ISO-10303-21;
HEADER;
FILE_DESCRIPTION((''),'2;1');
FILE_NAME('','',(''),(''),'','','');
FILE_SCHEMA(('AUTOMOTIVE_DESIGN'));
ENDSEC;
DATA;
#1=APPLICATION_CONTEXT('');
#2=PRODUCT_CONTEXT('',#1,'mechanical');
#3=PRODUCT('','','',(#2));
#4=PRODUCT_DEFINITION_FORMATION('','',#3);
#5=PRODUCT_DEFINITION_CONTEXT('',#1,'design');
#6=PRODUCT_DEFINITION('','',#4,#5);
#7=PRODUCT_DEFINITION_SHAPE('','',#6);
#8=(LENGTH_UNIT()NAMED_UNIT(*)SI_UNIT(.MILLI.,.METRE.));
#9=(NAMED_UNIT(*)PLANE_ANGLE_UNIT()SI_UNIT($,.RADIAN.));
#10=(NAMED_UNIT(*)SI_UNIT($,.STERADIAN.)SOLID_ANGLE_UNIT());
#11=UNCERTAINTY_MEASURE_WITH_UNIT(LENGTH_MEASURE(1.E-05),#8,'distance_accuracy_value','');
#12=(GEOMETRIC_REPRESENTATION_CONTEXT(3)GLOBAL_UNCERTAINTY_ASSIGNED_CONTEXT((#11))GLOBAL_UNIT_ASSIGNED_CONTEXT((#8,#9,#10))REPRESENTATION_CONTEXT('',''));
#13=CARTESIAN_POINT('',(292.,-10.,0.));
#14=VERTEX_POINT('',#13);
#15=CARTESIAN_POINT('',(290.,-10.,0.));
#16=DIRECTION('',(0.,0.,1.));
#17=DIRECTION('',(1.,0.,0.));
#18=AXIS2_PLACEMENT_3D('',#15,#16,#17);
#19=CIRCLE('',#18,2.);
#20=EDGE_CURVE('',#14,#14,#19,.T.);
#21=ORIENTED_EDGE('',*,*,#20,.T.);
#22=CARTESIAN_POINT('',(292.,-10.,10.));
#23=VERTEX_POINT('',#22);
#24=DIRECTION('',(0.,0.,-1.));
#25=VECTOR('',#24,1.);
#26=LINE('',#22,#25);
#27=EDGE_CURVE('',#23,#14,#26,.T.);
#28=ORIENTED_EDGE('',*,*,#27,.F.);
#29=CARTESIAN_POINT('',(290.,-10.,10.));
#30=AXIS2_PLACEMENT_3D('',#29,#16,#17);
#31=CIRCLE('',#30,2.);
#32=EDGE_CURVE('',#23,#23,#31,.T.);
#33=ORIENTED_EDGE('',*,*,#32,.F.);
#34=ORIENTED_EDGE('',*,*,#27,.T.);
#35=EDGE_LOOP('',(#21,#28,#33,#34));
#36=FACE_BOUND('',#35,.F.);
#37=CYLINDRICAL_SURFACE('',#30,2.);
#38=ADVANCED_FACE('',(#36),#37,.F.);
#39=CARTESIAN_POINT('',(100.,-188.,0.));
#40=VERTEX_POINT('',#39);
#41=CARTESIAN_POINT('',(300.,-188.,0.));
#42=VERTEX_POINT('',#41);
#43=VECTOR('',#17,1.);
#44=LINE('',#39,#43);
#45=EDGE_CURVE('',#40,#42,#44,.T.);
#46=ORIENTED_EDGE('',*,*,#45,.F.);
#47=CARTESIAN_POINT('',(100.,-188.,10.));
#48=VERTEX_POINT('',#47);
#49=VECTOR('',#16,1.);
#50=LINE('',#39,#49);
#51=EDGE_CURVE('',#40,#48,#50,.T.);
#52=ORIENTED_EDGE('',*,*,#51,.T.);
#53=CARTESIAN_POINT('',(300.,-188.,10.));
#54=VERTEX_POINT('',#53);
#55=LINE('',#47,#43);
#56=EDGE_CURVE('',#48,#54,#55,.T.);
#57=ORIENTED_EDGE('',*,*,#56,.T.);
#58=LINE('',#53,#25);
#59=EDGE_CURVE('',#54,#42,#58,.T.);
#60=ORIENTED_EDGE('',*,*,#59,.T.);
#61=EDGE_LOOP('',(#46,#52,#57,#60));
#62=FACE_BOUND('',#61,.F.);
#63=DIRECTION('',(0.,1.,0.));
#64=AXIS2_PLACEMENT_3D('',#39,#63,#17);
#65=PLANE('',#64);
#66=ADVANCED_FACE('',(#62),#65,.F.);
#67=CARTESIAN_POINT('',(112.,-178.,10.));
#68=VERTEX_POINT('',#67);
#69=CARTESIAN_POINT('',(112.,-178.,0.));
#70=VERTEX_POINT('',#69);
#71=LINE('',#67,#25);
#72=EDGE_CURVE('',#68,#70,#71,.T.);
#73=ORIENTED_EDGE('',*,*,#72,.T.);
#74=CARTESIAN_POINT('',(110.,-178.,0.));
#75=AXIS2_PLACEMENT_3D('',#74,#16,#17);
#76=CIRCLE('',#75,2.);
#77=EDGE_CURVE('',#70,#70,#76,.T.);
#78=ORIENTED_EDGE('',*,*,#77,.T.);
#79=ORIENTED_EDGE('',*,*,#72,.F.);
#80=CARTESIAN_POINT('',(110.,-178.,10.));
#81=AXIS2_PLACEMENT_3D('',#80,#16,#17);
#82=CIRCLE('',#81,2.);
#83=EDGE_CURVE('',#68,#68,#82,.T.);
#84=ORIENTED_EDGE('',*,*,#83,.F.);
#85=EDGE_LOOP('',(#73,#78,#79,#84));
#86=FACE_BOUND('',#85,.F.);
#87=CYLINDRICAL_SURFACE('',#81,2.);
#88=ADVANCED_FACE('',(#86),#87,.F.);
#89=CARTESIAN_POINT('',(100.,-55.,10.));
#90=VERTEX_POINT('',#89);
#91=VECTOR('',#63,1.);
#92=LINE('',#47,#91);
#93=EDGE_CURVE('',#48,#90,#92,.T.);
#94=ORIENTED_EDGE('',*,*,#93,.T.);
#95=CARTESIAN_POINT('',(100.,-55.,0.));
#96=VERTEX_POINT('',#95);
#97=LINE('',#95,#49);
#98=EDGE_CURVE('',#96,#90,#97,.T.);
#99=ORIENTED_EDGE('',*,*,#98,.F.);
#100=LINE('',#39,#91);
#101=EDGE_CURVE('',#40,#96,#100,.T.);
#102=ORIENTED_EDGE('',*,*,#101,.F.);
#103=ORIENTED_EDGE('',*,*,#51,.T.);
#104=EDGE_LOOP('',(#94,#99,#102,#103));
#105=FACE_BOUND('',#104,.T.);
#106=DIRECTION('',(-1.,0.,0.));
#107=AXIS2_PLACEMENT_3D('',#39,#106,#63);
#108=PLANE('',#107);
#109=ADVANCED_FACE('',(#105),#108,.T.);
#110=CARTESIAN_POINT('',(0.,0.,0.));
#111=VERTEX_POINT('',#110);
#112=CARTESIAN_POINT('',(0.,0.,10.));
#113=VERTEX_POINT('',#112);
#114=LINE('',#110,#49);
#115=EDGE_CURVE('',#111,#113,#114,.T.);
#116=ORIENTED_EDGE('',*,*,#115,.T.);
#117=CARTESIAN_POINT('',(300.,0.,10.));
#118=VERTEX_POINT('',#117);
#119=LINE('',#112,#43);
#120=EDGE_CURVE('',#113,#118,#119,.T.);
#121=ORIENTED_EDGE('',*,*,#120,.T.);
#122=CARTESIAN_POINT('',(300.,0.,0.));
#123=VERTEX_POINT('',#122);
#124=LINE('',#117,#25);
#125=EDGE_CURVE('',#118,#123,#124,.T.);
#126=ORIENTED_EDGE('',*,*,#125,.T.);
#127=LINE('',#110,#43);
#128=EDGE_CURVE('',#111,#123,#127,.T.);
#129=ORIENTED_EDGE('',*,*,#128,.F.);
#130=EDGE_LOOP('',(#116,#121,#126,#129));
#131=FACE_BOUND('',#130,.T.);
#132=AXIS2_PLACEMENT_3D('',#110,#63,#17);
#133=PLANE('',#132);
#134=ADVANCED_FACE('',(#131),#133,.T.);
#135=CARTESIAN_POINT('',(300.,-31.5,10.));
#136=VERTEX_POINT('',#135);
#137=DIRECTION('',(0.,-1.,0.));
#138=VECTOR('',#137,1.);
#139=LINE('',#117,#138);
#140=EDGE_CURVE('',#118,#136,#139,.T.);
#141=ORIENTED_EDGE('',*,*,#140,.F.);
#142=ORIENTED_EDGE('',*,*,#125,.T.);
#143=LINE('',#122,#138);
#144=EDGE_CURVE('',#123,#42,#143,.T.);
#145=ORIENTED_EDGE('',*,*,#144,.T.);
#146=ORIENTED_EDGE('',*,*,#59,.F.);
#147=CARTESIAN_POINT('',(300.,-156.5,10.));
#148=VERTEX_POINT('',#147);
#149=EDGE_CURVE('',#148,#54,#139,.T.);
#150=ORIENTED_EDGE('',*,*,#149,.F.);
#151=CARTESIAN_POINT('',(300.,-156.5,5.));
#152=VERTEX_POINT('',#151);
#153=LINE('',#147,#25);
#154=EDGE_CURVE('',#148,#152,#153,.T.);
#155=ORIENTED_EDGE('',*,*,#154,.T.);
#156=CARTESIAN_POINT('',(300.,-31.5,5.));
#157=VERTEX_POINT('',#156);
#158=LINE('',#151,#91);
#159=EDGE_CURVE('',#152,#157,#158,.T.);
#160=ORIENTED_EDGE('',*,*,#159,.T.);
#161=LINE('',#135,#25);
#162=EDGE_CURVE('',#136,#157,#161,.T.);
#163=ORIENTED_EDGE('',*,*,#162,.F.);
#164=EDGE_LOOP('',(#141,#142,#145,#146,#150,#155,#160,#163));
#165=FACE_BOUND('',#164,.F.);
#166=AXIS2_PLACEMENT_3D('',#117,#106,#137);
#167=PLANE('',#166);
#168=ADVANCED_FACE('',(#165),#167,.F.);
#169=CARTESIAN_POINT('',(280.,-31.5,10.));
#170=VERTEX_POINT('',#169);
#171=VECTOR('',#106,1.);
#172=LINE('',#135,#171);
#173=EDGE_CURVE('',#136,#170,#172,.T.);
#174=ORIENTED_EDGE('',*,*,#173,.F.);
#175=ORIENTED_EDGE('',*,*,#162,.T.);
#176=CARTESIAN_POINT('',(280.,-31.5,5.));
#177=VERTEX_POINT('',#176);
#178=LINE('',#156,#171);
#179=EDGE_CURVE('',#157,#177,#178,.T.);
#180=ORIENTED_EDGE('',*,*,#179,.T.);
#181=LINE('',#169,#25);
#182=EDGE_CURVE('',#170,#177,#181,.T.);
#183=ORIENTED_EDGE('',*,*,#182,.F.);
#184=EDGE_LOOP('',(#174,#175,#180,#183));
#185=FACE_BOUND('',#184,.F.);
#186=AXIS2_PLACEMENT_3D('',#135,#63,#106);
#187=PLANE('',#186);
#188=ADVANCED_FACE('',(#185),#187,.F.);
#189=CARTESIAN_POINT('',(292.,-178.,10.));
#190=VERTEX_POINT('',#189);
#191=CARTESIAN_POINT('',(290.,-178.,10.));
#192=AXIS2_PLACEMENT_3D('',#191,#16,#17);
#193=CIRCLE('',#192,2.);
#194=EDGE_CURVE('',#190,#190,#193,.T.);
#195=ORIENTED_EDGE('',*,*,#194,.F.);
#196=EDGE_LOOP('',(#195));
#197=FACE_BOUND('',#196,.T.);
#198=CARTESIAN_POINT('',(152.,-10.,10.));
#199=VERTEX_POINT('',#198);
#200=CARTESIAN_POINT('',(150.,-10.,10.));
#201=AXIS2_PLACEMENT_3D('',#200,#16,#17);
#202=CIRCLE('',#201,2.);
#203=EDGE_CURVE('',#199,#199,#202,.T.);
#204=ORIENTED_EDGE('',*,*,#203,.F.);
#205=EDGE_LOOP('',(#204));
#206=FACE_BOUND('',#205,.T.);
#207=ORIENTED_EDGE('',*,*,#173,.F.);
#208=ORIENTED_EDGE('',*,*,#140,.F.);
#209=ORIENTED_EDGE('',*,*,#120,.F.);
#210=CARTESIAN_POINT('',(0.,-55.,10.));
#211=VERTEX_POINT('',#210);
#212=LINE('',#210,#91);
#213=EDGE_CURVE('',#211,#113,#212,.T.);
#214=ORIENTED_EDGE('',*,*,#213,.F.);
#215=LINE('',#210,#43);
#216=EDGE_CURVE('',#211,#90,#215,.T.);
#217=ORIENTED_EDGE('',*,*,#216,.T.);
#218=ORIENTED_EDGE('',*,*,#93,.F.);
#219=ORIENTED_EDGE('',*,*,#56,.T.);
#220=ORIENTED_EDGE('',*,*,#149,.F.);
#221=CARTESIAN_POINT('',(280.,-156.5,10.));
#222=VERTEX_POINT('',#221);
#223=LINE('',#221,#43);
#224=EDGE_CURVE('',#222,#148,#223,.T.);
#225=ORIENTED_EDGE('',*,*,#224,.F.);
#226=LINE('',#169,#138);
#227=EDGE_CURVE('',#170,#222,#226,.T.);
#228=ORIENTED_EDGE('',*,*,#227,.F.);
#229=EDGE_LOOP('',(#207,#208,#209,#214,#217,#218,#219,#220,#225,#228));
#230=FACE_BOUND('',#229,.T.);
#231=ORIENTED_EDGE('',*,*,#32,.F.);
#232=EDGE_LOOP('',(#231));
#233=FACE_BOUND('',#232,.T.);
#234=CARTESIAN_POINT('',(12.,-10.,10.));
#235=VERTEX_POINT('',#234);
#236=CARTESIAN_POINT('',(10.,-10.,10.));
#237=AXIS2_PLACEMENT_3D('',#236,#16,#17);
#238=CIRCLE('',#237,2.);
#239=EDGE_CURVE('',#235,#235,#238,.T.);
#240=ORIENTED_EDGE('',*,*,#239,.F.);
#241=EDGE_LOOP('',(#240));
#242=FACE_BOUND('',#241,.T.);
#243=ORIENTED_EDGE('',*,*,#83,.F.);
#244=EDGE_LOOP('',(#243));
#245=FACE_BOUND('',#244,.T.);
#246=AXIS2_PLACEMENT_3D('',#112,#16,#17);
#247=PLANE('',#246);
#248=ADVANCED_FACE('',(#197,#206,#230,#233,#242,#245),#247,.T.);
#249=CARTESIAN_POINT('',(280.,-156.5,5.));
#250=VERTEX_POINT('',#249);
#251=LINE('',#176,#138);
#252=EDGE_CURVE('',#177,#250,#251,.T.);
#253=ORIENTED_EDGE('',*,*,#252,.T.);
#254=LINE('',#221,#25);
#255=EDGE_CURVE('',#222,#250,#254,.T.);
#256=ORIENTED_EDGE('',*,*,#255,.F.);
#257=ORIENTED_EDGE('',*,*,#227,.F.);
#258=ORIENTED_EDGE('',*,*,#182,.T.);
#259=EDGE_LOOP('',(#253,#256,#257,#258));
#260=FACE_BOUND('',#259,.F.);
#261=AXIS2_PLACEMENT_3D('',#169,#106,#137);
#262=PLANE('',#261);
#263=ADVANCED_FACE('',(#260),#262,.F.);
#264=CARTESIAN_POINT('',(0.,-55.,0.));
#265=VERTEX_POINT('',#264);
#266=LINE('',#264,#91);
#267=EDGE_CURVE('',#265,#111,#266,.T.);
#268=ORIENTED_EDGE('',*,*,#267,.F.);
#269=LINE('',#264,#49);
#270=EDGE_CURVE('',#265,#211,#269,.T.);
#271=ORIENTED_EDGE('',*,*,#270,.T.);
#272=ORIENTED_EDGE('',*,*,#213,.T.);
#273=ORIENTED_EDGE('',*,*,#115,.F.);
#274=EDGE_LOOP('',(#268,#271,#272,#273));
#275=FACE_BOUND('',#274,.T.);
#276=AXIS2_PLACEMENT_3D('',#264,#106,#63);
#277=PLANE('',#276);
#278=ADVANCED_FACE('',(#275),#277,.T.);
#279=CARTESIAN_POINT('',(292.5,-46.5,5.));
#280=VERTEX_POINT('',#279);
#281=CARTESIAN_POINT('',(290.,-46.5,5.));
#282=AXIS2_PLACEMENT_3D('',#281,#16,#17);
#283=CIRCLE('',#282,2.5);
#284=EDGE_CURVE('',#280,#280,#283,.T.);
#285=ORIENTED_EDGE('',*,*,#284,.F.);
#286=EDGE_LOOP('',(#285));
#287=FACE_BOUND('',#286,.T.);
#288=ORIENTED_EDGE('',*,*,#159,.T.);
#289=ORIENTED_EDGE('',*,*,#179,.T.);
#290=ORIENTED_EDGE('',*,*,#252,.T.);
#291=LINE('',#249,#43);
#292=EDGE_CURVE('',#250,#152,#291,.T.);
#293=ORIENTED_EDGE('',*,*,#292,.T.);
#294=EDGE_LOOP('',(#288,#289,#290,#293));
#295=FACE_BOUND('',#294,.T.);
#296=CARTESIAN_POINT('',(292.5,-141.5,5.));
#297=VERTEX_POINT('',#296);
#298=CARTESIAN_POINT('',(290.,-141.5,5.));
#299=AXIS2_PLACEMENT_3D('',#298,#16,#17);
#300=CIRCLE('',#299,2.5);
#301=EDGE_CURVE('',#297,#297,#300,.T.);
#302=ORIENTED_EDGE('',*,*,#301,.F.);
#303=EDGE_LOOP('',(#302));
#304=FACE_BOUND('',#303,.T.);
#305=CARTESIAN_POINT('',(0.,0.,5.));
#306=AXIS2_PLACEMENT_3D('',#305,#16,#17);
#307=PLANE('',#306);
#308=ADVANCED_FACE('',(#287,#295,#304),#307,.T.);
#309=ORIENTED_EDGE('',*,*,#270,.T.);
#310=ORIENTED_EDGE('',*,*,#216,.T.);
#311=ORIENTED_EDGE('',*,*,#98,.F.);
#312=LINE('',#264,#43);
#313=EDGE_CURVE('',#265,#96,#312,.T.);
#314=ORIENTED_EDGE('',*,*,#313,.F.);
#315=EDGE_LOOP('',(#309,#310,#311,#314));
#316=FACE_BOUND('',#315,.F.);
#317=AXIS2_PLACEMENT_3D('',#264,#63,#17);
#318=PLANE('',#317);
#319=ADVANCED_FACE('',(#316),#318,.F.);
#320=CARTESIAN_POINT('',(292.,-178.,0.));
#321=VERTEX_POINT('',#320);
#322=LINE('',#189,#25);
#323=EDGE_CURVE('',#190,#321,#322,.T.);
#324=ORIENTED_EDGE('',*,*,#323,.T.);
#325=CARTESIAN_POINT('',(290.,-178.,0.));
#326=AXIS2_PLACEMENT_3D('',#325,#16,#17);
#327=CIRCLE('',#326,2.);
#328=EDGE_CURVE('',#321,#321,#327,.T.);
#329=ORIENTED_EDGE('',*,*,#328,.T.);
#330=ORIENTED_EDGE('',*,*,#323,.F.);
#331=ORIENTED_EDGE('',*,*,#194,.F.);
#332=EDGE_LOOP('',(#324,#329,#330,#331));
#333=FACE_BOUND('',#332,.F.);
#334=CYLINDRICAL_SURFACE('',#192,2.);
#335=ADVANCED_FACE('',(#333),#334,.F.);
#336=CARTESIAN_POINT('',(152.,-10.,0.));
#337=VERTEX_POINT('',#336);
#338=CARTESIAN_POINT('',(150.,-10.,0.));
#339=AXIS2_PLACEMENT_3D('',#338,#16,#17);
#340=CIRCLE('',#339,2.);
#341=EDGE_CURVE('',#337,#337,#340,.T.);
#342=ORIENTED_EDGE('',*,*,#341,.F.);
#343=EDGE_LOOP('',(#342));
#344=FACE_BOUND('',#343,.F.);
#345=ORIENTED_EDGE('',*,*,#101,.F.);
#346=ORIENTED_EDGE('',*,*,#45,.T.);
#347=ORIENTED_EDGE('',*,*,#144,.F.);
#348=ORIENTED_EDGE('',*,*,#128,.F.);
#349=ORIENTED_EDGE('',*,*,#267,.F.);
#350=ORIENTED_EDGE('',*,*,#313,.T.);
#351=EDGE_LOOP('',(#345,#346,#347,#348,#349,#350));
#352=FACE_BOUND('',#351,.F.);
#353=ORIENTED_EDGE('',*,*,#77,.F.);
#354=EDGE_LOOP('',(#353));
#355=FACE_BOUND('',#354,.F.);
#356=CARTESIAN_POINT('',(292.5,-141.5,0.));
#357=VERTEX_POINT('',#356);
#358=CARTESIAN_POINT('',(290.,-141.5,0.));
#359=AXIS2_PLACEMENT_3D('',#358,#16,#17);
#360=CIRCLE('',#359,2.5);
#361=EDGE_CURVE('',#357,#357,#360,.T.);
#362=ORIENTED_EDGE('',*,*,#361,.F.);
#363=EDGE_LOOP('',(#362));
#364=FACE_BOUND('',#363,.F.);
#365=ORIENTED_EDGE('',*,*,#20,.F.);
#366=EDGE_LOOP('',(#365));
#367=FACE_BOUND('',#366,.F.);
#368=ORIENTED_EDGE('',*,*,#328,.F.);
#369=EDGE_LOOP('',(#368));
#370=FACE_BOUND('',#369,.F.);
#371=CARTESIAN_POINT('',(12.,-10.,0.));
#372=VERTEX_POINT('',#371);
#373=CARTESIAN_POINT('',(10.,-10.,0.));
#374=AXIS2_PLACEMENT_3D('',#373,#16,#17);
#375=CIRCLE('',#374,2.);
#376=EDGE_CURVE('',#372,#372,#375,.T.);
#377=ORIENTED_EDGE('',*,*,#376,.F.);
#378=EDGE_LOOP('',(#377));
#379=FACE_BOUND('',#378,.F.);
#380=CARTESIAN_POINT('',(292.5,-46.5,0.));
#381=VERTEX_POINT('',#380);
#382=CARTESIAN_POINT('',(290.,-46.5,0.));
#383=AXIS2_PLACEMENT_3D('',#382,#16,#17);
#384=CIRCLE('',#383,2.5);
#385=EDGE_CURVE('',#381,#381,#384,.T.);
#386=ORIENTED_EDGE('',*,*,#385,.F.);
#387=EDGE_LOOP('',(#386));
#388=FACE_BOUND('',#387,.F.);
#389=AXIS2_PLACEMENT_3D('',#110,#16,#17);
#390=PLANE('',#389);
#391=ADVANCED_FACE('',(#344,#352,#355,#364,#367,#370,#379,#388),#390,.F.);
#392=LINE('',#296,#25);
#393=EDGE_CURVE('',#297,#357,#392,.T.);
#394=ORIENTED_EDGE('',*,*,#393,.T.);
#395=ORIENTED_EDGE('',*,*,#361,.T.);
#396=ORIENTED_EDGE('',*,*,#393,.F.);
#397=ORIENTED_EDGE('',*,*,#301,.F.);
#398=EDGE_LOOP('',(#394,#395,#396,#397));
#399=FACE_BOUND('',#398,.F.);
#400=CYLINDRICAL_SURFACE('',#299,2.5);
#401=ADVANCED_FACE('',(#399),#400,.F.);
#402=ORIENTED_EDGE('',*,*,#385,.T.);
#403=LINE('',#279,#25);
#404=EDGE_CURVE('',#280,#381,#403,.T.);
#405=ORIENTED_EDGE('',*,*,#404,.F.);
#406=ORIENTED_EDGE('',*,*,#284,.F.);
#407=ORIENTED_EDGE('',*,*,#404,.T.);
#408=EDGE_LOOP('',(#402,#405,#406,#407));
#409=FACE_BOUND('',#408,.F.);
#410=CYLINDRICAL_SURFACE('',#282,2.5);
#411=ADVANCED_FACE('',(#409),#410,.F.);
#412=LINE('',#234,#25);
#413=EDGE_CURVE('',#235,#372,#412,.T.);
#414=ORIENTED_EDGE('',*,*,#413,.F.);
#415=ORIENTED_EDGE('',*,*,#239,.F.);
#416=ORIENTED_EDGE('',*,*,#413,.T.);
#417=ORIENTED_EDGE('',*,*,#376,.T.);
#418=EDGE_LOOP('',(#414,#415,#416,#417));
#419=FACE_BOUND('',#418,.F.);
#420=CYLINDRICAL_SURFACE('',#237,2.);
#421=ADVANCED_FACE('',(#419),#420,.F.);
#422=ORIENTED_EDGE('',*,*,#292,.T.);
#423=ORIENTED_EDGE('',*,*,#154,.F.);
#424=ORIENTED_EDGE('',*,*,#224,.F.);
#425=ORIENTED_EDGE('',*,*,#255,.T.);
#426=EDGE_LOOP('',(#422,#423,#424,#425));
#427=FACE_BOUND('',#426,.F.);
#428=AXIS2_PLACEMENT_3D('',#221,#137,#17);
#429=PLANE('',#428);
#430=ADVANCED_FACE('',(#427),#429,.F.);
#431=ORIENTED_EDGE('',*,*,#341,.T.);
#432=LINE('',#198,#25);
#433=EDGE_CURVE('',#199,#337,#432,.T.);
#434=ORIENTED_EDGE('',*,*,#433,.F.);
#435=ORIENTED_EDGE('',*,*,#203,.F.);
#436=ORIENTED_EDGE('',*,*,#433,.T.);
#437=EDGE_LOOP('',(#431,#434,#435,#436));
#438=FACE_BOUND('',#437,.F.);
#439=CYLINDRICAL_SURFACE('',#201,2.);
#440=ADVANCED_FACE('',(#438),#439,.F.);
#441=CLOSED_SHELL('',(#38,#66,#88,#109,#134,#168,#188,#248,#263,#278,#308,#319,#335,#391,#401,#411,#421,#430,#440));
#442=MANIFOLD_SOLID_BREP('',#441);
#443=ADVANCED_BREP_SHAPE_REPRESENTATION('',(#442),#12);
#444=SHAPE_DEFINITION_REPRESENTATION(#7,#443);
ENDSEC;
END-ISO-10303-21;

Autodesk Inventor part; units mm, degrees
ref_plane "YZ Plane" through (0, 0, 0) normal (1, 0, 0) x (0, 1, 0)
ref_plane "XZ Plane" through (0, 0, 0) normal (0, 1, 0) x (-1, 0, 0)
ref_plane "XY Plane" through (0, 0, 0) normal (0, 0, 1) x (1, 0, 0)
sketch "Sketch1" plane through (0, 0, 0) normal (0, 0, 1) x (1, 0, 0)
  line L0 (0, 0) -> (600, 0)
  line L1 (100, -188) -> (500, -188)
  line L2 (500, -188) -> (500, -55)
  line L3 (500, -55) -> (600, -55)
  line L4 (600, -55) -> (600, 0)
  line L5 (100, -188) -> (100, -55)
  line L6 (0, -55) -> (0, 0)
  line L7 (0, -55) -> (100, -55)
  point P0 (300, -188)
  point P1 (300, 0)
  dimension "d0" = 600
  dimension "d1" = 188
  dimension "d2" = 400
  dimension "d3" = 133
extrude "Extrusion1" add sketch "Sketch1" along normal blind 10
sketch "Sketch2" plane through (0, 0, 10) normal (0, 0, 1) x (1, 0, 0)
  line L0 (600, 0) -> (0, 0) projected
  line L1 (500, -188) -> (100, -188) projected
  line L2 (600, 0) -> (300, 0)
  line L3 (300, 0) -> (300, -188)
  line L4 (300, -188) -> (600, -188)
  line L5 (600, -188) -> (600, 0)
extrude "Extrusion2" cut sketch "Sketch2" against normal through all
sketch "Sketch3" plane through (0, 0, 10) normal (0, 0, 1) x (1, 0, 0)
  circle A0 centre (10, -10) radius 2
  line L0 (300, 0) -> (0, 0) projected
  line L1 (0, 0) -> (0, -55) projected
  circle A1 centre (150, -10) radius 2
  circle A2 centre (290, -10) radius 2
  line L2 (300, -188) -> (300, 0) projected
  line L3 (10, -10) -> (290, -10) construction
  circle A3 centre (110, -178) radius 2
  line L4 (100, -55) -> (100, -188) projected
  line L5 (100, -188) -> (300, -188) projected
  circle A4 centre (290, -178) radius 2
  dimension "d8" = 4
  dimension "d9" = 10
  dimension "d10" = 10
  dimension "d11" = 4
  dimension "d12" = 4
  dimension "d13" = 10
  dimension "d14" = 4
  dimension "d15" = 10
  dimension "d16" = 10
  dimension "d17" = 4
  dimension "d18" = 10
  dimension "d19" = 10
extrude "Extrusion3" cut sketch "Sketch3" against normal through all
sketch "Sketch6" plane through (0, 0, 10) normal (0, 0, 1) x (1, 0, 0)
  line L0 (300, -31.5) -> (280, -31.5)
  line L1 (280, -31.5) -> (280, -156.5)
  line L2 (280, -156.5) -> (300, -156.5)
  line L3 (300, -156.5) -> (300, -31.5)
  line L4 (300, -188) -> (300, 0) projected
  point P0 (0, 0)
  point P1 (300, -94)
  dimension "d42" = 20
  dimension "d43" = 125
extrude "Extrusion6" cut sketch "Sketch6" against normal blind 5
sketch "Sketch7" plane through (0, 0, 5) normal (0, 0, 1) x (1, 0, 0)
  line L0 (290, -46.5) -> (290, -141.5) construction
  circle A0 centre (290, -46.5) radius 2.5
  circle A1 centre (290, -141.5) radius 2.5
  line L1 (300, -31.5) -> (300, -156.5) projected
  point P0 (0, 0)
  point P1 (290, -94)
  point P2 (300, -94)
  dimension "d46" = 5
  dimension "d47" = 5
  dimension "d48" = 10
  dimension "d49" = 95
extrude "Extrusion7" cut sketch "Sketch7" against normal through all
properties part number "SP001b" material "ABS Plastic"
